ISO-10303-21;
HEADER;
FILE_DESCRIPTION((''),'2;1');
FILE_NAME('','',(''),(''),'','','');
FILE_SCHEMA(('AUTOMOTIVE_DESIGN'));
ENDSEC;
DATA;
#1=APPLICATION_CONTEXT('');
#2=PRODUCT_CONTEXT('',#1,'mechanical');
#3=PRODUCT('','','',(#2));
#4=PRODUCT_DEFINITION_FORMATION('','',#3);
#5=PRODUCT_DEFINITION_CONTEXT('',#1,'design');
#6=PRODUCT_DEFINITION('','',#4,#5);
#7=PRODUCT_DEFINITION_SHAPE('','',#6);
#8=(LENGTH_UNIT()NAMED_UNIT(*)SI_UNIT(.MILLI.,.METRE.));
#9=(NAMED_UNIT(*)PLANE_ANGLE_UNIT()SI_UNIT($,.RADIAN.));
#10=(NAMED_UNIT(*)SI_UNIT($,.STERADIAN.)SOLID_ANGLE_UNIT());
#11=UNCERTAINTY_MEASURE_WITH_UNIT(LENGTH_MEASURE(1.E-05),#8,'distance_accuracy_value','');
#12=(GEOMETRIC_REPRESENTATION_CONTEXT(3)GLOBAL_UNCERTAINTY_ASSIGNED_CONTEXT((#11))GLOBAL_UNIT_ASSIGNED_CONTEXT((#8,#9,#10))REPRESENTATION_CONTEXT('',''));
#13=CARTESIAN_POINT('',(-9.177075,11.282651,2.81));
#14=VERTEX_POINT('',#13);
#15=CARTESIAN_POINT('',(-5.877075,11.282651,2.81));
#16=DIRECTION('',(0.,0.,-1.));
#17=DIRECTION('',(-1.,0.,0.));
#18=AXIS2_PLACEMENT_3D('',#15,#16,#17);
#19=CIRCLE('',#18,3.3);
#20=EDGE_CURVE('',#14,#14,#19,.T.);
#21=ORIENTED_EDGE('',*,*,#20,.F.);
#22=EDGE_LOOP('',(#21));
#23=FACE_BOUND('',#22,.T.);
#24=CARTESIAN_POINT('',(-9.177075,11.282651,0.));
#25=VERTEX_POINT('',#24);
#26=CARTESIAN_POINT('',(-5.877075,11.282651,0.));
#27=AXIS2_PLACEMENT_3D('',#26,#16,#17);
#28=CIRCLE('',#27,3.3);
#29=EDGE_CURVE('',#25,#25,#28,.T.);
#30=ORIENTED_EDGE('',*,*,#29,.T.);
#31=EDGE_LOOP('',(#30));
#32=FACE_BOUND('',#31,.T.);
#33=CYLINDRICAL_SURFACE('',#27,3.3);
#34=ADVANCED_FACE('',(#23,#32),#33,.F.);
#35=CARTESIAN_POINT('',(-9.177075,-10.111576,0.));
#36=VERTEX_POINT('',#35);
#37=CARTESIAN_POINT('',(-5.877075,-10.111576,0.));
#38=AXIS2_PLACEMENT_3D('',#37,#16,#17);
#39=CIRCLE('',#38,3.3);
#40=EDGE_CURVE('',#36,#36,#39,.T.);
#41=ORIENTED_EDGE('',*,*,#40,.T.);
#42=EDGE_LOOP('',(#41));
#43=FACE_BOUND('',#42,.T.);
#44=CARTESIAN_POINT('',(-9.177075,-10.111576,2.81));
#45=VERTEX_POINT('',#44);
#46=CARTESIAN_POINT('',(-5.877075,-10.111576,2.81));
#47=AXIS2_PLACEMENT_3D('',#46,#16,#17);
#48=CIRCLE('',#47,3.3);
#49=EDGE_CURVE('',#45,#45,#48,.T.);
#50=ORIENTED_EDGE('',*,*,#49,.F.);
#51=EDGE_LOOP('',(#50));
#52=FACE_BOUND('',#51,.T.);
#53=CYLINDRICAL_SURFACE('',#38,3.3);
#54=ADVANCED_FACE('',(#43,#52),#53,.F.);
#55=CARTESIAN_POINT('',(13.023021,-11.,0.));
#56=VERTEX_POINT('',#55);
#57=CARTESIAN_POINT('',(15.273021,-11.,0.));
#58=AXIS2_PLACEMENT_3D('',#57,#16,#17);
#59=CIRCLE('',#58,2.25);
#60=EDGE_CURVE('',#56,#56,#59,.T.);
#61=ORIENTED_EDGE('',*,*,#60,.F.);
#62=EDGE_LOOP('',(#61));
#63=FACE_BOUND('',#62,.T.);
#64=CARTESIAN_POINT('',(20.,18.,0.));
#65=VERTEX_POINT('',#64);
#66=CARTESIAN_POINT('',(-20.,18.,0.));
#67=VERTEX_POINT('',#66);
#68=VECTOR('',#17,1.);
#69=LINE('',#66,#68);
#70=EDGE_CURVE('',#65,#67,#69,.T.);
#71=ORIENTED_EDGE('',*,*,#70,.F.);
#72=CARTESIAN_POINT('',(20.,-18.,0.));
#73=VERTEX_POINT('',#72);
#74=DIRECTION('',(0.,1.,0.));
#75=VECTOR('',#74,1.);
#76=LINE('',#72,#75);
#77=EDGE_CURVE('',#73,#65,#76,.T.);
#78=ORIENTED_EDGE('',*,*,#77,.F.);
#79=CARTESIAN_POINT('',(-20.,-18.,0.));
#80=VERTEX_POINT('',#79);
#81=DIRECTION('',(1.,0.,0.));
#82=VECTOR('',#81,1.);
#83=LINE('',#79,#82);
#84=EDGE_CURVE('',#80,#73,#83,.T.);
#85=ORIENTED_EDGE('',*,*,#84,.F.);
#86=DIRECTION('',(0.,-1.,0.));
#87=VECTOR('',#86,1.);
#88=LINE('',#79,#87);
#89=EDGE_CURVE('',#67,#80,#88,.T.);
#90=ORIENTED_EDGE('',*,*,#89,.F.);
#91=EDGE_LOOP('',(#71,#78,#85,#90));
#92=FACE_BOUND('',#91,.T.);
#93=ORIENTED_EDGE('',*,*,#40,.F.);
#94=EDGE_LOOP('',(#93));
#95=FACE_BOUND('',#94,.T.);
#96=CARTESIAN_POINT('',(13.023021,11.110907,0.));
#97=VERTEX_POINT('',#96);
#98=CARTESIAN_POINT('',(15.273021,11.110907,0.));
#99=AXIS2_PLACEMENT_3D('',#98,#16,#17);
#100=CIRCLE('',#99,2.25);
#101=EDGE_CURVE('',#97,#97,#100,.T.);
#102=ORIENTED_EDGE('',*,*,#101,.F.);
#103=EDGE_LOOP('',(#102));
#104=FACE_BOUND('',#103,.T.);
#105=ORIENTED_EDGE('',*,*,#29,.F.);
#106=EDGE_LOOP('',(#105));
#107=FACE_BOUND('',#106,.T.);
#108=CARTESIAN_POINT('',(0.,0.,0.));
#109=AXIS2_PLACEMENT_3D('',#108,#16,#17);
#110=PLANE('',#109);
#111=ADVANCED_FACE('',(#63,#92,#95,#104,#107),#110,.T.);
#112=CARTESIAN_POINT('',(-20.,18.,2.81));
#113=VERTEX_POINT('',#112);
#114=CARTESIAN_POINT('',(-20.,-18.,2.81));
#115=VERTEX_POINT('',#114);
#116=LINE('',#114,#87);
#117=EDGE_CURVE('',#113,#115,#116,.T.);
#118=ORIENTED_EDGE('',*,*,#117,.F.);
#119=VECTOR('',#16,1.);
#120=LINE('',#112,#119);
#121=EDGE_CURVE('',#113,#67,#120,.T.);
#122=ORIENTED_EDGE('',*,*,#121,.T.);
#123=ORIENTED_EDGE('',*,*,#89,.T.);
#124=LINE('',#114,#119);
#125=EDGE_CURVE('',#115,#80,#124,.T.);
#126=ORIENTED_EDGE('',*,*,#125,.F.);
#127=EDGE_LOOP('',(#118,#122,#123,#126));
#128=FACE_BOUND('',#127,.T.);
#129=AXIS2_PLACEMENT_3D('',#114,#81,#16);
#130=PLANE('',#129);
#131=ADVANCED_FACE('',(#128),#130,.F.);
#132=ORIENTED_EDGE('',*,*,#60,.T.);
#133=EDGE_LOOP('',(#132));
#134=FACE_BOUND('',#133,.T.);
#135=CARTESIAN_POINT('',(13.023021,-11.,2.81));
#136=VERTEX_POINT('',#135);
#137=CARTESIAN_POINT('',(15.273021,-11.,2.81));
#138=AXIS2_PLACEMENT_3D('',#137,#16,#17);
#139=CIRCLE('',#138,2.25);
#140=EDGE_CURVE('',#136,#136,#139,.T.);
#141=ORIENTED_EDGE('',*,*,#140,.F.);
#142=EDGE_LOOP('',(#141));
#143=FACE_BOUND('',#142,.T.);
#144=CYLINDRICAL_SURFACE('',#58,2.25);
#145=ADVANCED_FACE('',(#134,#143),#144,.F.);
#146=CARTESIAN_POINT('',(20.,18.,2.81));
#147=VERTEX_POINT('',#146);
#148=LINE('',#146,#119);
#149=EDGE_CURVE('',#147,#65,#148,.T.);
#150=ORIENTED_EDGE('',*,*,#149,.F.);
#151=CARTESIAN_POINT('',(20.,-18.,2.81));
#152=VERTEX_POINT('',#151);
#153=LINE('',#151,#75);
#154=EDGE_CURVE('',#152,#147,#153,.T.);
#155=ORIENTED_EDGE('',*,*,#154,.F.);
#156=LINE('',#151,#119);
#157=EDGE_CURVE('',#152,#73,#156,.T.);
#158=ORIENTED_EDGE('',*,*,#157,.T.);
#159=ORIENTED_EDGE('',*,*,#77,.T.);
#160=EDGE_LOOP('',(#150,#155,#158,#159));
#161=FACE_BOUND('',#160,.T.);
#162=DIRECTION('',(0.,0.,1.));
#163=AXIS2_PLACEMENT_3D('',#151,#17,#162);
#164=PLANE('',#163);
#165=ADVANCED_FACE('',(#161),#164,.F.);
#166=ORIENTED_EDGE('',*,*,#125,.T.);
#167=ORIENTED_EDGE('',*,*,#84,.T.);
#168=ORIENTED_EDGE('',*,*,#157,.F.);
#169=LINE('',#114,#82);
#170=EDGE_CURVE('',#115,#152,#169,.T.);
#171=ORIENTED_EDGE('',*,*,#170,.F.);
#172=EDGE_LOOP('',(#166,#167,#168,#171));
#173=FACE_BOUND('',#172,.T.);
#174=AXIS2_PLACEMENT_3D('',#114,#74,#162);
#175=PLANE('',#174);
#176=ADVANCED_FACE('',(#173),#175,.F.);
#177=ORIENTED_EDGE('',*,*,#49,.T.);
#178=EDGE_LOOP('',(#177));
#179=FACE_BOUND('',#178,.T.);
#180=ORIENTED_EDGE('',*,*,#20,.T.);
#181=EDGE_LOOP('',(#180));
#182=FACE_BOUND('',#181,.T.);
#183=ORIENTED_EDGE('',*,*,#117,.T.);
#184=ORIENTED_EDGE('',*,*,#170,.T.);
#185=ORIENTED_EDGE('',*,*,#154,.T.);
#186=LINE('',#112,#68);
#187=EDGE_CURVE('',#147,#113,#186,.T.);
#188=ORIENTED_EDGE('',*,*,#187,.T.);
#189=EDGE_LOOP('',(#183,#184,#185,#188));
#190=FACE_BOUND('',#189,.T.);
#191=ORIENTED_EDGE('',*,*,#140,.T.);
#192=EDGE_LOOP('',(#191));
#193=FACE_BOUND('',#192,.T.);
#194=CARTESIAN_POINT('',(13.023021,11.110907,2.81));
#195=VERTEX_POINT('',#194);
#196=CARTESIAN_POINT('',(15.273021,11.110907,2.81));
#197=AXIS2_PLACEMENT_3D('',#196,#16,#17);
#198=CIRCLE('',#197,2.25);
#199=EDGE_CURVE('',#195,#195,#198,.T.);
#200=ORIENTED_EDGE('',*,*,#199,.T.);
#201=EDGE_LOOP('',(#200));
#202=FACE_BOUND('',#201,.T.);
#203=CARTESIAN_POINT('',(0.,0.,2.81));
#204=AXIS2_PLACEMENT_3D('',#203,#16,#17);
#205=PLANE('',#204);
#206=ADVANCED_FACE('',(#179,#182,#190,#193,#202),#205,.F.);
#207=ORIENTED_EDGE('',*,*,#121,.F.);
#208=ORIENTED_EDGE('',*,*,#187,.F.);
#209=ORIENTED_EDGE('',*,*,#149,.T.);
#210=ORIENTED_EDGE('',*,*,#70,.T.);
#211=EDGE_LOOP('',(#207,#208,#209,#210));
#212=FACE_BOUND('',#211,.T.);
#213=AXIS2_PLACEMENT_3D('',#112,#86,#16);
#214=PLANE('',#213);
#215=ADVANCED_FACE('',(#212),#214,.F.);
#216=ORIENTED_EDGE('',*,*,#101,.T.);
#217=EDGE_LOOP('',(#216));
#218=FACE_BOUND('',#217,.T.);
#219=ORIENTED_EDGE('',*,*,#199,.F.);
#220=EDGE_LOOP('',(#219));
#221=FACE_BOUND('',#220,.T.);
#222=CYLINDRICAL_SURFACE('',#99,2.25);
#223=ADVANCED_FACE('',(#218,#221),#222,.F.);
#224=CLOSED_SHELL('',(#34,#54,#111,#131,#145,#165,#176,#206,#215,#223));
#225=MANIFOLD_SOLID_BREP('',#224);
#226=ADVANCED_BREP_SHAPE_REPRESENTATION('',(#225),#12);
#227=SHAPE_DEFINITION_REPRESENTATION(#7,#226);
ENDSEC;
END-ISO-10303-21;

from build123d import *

# Parameters (mm, degrees)
SKETCH1_W            = 40
SKETCH1_H            = 36
BOSS_EXTRUDE1_DEPTH  = 2.81
M4_CLEARANCE_HOLE1_D = 4.5
M6_CLEARANCE_HOLE1_D = 6.6


with BuildPart() as part:
    # Sketch1 → Boss-Extrude1 (new body)
    with BuildSketch(Plane.XY):
        Rectangle(SKETCH1_W, SKETCH1_H)
    extrude(amount=BOSS_EXTRUDE1_DEPTH)

    # M4 Clearance Hole1 (through all)
    with Locations(Plane(origin=(0, 0, 0), x_dir=(-1, 0, 0), z_dir=(0, 0, -1))):
        with Locations((-15.273020567, -10.999999997), (-15.273020567, 11.110907406)):
            Hole(M4_CLEARANCE_HOLE1_D / 2)

    # M6 Clearance Hole1 (through all)
    with Locations(Plane(origin=(0, 0, 0), x_dir=(-1, 0, 0), z_dir=(0, 0, -1))):
        with Locations((5.877074643, -10.111576322), (5.877074643, 11.282650508)):
            Hole(M6_CLEARANCE_HOLE1_D / 2)


solid = part.part
